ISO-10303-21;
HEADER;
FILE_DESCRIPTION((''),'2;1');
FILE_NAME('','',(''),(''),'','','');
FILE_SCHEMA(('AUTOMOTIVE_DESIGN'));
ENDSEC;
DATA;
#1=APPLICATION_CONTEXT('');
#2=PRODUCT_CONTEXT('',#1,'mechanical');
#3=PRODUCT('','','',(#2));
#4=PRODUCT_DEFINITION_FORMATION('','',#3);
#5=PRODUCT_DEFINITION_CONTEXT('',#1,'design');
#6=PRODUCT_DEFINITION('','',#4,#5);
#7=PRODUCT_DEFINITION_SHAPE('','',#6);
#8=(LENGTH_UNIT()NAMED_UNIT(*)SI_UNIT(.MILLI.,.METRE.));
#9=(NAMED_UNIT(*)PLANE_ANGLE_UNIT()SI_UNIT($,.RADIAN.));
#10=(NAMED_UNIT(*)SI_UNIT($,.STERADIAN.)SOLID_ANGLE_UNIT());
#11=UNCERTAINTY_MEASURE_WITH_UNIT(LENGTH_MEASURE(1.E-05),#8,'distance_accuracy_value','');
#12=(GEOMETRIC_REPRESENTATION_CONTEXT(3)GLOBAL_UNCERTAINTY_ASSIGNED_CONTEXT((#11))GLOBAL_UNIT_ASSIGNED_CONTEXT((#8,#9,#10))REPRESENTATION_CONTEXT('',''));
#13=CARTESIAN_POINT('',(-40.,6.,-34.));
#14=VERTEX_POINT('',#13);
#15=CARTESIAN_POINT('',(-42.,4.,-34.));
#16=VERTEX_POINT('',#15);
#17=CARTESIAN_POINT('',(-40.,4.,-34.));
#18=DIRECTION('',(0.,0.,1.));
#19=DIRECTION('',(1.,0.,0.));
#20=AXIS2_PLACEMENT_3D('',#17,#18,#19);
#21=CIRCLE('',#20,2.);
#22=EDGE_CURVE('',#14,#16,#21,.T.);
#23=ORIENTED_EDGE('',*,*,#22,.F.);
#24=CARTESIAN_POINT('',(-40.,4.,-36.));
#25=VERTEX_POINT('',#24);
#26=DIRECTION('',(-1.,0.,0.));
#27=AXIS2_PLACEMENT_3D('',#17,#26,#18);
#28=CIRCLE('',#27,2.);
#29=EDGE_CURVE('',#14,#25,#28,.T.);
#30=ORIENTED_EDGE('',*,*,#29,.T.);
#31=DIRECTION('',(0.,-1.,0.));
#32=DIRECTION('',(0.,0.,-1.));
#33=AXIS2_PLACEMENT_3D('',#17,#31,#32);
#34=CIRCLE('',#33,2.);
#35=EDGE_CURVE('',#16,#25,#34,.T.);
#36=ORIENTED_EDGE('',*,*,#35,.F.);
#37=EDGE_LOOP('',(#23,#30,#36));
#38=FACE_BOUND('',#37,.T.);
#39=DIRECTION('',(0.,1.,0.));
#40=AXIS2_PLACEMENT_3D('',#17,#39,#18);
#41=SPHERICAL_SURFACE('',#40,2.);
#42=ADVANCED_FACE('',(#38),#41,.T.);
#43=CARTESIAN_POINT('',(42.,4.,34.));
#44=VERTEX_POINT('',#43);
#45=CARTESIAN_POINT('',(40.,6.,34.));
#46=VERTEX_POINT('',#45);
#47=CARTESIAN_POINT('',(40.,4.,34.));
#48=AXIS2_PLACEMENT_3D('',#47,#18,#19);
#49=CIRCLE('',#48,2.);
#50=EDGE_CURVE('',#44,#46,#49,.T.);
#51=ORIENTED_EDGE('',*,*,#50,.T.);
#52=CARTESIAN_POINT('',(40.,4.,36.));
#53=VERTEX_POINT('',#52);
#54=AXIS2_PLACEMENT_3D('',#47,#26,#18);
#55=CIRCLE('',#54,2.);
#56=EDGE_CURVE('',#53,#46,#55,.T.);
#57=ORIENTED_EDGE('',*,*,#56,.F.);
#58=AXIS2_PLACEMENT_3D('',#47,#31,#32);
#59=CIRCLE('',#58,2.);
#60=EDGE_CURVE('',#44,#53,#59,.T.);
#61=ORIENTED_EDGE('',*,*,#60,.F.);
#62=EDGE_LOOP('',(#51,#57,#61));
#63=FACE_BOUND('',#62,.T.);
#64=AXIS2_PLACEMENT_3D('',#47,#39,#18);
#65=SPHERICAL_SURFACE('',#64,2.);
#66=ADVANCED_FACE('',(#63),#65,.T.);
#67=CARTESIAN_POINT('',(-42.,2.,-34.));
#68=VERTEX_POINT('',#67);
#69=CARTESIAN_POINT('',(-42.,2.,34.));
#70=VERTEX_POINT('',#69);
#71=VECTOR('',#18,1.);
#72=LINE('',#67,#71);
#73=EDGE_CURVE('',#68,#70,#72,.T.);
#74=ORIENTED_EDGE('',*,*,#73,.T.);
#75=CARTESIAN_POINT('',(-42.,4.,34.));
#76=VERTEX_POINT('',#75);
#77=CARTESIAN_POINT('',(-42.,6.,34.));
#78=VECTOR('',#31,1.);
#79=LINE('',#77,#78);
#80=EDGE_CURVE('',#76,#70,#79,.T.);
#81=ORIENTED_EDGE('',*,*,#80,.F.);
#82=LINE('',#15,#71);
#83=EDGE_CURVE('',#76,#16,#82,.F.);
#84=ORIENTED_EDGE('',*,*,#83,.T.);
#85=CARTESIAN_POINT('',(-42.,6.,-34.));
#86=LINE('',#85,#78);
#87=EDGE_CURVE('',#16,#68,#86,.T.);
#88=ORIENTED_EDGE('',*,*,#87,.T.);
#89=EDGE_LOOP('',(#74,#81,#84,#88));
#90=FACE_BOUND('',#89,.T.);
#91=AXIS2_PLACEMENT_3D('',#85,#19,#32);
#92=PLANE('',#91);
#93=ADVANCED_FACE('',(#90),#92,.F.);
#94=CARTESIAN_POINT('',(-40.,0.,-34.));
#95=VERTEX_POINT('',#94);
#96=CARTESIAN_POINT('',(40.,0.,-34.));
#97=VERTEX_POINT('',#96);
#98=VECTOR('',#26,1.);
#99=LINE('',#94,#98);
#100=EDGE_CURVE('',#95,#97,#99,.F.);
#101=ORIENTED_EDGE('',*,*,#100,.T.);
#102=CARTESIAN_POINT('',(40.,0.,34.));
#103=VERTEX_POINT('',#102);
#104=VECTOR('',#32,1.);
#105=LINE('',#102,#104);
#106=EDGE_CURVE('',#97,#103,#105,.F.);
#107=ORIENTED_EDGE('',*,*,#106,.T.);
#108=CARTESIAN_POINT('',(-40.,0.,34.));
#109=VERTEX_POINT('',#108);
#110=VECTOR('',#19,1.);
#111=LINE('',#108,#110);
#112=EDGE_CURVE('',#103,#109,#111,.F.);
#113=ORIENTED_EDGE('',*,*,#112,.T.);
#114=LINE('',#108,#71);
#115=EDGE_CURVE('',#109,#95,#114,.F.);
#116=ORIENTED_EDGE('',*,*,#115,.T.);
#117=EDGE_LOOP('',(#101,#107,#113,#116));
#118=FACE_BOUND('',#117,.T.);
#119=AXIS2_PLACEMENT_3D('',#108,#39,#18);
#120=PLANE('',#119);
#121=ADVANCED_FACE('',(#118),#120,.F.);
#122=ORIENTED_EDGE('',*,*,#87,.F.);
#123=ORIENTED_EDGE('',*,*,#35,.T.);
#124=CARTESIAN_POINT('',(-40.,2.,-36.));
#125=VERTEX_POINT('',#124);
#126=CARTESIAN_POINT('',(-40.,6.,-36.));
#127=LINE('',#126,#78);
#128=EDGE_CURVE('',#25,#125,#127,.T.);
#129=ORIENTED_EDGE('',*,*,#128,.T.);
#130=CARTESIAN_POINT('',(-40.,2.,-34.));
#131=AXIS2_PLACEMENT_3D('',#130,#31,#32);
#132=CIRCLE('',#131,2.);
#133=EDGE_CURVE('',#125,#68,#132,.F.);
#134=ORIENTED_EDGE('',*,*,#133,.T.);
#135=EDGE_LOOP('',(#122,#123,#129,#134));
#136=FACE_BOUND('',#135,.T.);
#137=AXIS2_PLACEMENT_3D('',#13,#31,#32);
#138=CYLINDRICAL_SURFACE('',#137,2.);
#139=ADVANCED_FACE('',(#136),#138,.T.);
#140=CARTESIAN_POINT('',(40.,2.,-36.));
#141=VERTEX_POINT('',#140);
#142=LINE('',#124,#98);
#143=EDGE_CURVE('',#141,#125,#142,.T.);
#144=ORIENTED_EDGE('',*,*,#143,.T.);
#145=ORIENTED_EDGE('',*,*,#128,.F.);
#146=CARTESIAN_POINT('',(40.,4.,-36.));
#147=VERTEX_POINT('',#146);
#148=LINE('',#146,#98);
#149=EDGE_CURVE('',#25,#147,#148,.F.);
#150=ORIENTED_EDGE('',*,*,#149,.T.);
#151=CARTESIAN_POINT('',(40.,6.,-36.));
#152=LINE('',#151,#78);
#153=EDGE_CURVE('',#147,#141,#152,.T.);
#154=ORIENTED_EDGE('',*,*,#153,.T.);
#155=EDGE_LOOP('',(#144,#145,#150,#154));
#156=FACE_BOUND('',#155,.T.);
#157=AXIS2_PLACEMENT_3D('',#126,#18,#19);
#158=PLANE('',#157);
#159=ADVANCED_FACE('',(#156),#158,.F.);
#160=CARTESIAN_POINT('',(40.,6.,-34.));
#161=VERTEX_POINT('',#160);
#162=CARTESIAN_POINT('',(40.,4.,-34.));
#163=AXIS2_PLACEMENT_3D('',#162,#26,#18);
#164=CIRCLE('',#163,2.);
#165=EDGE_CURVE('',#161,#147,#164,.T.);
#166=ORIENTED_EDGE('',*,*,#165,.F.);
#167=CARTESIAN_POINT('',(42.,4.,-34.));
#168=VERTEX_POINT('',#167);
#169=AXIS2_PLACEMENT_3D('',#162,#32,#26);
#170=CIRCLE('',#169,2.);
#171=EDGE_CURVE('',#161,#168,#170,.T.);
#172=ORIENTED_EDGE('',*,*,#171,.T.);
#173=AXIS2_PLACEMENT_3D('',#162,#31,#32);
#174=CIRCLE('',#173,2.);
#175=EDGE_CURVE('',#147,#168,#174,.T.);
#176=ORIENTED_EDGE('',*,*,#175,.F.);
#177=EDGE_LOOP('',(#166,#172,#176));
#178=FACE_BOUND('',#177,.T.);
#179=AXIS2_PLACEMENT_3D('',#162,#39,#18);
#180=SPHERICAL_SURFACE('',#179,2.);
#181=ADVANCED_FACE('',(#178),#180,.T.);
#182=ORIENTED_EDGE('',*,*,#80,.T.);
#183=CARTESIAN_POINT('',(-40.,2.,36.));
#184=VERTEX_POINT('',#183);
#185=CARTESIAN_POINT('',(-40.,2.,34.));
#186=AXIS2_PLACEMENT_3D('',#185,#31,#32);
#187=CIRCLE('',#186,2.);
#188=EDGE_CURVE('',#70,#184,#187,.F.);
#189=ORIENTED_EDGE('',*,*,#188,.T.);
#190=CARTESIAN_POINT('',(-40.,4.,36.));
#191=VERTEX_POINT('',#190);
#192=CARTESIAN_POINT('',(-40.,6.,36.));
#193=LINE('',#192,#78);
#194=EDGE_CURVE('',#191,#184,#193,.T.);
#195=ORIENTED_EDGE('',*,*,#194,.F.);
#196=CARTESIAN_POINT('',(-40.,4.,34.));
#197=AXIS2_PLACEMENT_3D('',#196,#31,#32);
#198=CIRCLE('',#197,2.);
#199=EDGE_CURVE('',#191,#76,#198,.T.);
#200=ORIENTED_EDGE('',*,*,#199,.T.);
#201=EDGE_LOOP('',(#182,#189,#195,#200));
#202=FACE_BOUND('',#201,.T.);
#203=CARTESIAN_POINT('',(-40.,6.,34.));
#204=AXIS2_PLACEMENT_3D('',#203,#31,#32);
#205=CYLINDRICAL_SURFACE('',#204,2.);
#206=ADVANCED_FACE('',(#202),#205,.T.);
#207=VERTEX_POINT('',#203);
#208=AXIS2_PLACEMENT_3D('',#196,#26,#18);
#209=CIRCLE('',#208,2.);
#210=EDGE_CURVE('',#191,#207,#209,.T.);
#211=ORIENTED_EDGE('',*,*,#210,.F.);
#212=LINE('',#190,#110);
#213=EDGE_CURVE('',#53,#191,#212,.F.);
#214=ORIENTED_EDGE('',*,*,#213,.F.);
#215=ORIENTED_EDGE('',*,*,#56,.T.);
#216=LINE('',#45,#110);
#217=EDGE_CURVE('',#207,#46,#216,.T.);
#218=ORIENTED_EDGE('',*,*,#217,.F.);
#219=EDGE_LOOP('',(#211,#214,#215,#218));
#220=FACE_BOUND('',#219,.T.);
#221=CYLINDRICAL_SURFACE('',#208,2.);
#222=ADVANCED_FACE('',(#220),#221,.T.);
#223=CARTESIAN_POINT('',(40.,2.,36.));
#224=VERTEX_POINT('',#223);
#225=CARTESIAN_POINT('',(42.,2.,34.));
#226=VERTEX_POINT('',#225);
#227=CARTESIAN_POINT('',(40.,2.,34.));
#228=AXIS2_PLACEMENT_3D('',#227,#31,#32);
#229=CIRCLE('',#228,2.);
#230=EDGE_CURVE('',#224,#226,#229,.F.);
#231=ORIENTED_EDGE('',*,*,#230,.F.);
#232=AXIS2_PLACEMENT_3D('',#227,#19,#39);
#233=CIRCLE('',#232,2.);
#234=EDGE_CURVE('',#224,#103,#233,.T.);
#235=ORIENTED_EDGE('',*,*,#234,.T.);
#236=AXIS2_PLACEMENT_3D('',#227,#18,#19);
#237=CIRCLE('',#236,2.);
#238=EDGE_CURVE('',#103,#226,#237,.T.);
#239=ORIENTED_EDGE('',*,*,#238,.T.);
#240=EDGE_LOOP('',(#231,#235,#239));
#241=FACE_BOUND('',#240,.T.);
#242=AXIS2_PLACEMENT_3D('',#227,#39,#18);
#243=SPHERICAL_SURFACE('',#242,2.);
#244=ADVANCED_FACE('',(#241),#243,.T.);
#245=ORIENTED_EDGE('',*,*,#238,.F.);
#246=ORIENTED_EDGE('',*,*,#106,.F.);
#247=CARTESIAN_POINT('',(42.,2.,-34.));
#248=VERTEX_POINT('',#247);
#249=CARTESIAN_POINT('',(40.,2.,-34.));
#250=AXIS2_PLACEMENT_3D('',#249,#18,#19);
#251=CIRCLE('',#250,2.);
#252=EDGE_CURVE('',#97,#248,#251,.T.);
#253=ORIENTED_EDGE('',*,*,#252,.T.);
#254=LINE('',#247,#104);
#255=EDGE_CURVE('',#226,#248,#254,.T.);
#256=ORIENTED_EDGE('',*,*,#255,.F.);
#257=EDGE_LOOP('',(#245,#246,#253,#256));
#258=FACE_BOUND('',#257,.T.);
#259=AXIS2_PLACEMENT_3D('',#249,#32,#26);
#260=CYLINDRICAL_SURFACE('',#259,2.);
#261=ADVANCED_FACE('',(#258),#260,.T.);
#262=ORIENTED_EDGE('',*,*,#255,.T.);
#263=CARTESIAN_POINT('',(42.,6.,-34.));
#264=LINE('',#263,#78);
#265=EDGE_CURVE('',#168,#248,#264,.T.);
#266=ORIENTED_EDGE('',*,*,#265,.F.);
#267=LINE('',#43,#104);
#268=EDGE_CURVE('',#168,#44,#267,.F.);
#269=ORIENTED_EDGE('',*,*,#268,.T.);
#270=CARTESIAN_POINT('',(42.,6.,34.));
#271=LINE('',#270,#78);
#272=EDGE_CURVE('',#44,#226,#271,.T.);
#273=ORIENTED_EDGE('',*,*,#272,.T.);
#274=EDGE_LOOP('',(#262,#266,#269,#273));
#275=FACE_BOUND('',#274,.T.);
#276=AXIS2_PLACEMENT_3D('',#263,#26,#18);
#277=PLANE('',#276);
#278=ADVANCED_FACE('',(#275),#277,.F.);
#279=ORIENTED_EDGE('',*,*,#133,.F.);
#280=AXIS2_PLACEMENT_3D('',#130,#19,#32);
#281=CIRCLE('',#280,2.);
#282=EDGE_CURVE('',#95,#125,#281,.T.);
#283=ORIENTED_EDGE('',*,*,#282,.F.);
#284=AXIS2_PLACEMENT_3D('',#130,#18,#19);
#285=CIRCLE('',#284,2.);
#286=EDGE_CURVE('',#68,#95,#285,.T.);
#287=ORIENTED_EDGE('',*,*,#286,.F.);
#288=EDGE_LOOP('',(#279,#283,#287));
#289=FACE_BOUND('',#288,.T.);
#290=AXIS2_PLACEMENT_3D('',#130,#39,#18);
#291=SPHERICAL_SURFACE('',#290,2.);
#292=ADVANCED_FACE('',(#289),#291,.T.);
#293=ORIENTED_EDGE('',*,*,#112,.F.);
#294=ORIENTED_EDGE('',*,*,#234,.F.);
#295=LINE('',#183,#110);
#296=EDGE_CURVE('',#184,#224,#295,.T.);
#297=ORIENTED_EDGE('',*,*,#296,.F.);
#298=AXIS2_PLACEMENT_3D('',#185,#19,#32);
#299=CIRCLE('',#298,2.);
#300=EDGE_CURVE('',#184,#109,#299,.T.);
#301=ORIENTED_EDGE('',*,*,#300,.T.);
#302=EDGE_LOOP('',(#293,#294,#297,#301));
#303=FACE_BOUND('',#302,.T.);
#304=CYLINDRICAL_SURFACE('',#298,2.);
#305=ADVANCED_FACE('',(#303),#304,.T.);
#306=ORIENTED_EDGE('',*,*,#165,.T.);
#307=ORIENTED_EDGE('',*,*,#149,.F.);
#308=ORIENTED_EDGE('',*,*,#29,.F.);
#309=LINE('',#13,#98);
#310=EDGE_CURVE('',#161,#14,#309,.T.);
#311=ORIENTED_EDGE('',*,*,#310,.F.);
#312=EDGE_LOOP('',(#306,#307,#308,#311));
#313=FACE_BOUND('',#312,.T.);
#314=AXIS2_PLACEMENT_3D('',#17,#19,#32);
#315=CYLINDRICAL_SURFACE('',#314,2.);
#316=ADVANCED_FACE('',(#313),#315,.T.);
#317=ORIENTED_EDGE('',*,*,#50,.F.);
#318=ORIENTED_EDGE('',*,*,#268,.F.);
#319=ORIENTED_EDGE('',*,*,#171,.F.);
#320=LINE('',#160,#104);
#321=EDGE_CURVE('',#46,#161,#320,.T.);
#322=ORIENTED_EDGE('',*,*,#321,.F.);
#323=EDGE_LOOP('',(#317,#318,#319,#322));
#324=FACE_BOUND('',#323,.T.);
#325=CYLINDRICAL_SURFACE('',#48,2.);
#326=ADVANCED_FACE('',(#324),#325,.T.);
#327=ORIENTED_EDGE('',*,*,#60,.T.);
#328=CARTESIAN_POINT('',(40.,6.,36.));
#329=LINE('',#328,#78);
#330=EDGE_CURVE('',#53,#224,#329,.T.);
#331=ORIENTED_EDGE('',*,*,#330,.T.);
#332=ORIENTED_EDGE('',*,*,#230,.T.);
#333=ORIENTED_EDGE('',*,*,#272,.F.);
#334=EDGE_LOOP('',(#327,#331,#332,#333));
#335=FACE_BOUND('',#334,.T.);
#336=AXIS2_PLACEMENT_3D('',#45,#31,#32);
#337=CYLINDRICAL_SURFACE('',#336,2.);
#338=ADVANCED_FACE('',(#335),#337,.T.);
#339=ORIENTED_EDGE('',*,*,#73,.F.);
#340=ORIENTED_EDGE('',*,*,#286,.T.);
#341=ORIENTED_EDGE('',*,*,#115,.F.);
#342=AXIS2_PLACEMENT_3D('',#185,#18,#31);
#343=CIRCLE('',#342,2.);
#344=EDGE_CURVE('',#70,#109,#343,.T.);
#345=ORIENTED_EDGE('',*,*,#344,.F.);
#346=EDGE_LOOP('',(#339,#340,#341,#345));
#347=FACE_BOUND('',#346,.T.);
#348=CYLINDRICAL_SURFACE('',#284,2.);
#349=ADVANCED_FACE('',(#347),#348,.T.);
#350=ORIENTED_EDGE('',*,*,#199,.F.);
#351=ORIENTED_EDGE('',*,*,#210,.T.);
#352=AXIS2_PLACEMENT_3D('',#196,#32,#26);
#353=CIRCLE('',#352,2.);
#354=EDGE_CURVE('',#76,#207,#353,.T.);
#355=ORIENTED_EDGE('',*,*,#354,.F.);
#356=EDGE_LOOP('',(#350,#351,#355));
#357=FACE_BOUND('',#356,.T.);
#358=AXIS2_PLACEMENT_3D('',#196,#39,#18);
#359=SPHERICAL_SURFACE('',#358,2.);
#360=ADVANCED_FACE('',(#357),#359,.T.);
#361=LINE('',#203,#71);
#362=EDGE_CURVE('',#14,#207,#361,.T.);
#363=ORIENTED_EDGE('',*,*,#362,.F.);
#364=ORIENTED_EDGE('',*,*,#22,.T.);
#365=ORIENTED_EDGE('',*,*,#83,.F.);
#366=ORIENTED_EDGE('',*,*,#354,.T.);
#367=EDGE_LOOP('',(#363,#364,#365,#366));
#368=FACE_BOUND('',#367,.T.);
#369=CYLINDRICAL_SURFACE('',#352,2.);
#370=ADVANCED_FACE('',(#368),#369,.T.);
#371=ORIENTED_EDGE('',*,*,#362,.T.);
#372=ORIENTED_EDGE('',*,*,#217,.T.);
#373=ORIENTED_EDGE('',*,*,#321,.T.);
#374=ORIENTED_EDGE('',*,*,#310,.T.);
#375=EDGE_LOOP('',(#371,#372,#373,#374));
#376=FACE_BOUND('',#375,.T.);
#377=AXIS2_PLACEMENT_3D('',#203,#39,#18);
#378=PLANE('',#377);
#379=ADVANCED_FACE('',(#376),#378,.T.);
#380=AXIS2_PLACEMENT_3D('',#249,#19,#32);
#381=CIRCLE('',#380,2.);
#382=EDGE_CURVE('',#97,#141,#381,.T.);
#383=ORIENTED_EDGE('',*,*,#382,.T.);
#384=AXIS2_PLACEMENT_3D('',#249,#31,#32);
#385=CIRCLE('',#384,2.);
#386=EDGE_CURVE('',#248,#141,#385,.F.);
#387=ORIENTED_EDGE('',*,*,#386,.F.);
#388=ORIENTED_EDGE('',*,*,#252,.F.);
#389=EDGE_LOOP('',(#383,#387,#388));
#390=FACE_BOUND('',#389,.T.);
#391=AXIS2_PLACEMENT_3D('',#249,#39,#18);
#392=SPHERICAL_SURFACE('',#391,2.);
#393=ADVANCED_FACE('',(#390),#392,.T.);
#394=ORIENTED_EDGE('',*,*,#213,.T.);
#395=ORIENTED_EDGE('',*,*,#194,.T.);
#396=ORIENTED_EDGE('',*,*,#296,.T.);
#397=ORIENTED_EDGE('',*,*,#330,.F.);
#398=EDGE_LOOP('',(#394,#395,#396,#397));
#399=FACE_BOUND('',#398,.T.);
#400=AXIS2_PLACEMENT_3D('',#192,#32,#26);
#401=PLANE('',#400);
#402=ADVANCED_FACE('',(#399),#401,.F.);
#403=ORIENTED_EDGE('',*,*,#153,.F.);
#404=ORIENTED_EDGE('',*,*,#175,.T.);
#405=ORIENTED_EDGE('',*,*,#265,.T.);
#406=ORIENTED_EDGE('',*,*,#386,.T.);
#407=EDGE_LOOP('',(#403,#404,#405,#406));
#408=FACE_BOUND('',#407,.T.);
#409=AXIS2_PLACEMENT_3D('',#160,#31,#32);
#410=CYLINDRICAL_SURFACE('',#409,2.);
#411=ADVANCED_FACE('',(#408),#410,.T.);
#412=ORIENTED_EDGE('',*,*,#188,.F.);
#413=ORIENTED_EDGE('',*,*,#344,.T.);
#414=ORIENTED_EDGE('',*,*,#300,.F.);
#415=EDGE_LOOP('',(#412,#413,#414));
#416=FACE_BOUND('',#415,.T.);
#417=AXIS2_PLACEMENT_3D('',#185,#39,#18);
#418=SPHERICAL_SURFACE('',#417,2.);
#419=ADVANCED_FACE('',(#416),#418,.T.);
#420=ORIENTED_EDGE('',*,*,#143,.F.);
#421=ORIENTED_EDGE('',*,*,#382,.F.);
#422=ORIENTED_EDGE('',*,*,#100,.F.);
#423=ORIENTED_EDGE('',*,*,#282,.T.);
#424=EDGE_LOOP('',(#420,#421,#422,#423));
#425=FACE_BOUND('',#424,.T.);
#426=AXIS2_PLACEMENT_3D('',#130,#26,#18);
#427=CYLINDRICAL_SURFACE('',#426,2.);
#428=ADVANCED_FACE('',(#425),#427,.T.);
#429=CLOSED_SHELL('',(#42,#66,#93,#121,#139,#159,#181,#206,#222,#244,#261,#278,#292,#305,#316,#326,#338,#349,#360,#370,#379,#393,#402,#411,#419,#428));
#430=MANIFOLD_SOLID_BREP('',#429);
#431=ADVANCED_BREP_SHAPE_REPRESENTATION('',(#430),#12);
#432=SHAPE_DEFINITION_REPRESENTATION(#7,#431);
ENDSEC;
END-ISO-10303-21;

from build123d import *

# Parameters (mm, degrees)
BOSS_EXTRUDE1_DEPTH = 6
FILLET1_R           = 2


with BuildPart() as part:
    # Sketch1 → Boss-Extrude1 (new body)
    with BuildSketch(Plane(origin=(0, 0, 0), x_dir=(1, 0, 0), z_dir=(0, 1, 0))):
        with BuildLine():
            Line((-40, 36), (40, 36))
            ThreePointArc((40, 36), (41.414213562, 35.414213562), (42, 34))
            Line((42, 34), (42, -34))
            ThreePointArc((42, -34), (41.414213562, -35.414213562), (40, -36))
            Line((40, -36), (-40, -36))
            ThreePointArc((-40, -36), (-41.414213562, -35.414213562), (-42, -34))
            Line((-42, -34), (-42, 34))
            ThreePointArc((-42, 34), (-41.414213562, 35.414213562), (-40, 36))
        make_face()
    extrude(amount=BOSS_EXTRUDE1_DEPTH)

    # Fillet1
    fillet1_edges = [part.edges().sort_by_distance(p)[0] for p in [
        (41.414213562, 6, 35.414213562),
        (0, 0, 36),
        (-41.414213562, 0, 35.414213562),
        (42, 6, 0),
        (41.414213562, 6, -35.414213562),
        (0, 6, -36),
        (-41.414213562, 6, -35.414213562),
        (-42, 6, 0),
        (-41.414213562, 6, 35.414213562),
        (0, 6, 36),
        (-42, 0, 0),
        (-41.414213562, 0, -35.414213562),
        (0, 0, -36),
        (41.414213562, 0, -35.414213562),
        (42, 0, 0),
        (41.414213562, 0, 35.414213562),
    ]]
    fillet(fillet1_edges, radius=FILLET1_R)


solid = part.part
